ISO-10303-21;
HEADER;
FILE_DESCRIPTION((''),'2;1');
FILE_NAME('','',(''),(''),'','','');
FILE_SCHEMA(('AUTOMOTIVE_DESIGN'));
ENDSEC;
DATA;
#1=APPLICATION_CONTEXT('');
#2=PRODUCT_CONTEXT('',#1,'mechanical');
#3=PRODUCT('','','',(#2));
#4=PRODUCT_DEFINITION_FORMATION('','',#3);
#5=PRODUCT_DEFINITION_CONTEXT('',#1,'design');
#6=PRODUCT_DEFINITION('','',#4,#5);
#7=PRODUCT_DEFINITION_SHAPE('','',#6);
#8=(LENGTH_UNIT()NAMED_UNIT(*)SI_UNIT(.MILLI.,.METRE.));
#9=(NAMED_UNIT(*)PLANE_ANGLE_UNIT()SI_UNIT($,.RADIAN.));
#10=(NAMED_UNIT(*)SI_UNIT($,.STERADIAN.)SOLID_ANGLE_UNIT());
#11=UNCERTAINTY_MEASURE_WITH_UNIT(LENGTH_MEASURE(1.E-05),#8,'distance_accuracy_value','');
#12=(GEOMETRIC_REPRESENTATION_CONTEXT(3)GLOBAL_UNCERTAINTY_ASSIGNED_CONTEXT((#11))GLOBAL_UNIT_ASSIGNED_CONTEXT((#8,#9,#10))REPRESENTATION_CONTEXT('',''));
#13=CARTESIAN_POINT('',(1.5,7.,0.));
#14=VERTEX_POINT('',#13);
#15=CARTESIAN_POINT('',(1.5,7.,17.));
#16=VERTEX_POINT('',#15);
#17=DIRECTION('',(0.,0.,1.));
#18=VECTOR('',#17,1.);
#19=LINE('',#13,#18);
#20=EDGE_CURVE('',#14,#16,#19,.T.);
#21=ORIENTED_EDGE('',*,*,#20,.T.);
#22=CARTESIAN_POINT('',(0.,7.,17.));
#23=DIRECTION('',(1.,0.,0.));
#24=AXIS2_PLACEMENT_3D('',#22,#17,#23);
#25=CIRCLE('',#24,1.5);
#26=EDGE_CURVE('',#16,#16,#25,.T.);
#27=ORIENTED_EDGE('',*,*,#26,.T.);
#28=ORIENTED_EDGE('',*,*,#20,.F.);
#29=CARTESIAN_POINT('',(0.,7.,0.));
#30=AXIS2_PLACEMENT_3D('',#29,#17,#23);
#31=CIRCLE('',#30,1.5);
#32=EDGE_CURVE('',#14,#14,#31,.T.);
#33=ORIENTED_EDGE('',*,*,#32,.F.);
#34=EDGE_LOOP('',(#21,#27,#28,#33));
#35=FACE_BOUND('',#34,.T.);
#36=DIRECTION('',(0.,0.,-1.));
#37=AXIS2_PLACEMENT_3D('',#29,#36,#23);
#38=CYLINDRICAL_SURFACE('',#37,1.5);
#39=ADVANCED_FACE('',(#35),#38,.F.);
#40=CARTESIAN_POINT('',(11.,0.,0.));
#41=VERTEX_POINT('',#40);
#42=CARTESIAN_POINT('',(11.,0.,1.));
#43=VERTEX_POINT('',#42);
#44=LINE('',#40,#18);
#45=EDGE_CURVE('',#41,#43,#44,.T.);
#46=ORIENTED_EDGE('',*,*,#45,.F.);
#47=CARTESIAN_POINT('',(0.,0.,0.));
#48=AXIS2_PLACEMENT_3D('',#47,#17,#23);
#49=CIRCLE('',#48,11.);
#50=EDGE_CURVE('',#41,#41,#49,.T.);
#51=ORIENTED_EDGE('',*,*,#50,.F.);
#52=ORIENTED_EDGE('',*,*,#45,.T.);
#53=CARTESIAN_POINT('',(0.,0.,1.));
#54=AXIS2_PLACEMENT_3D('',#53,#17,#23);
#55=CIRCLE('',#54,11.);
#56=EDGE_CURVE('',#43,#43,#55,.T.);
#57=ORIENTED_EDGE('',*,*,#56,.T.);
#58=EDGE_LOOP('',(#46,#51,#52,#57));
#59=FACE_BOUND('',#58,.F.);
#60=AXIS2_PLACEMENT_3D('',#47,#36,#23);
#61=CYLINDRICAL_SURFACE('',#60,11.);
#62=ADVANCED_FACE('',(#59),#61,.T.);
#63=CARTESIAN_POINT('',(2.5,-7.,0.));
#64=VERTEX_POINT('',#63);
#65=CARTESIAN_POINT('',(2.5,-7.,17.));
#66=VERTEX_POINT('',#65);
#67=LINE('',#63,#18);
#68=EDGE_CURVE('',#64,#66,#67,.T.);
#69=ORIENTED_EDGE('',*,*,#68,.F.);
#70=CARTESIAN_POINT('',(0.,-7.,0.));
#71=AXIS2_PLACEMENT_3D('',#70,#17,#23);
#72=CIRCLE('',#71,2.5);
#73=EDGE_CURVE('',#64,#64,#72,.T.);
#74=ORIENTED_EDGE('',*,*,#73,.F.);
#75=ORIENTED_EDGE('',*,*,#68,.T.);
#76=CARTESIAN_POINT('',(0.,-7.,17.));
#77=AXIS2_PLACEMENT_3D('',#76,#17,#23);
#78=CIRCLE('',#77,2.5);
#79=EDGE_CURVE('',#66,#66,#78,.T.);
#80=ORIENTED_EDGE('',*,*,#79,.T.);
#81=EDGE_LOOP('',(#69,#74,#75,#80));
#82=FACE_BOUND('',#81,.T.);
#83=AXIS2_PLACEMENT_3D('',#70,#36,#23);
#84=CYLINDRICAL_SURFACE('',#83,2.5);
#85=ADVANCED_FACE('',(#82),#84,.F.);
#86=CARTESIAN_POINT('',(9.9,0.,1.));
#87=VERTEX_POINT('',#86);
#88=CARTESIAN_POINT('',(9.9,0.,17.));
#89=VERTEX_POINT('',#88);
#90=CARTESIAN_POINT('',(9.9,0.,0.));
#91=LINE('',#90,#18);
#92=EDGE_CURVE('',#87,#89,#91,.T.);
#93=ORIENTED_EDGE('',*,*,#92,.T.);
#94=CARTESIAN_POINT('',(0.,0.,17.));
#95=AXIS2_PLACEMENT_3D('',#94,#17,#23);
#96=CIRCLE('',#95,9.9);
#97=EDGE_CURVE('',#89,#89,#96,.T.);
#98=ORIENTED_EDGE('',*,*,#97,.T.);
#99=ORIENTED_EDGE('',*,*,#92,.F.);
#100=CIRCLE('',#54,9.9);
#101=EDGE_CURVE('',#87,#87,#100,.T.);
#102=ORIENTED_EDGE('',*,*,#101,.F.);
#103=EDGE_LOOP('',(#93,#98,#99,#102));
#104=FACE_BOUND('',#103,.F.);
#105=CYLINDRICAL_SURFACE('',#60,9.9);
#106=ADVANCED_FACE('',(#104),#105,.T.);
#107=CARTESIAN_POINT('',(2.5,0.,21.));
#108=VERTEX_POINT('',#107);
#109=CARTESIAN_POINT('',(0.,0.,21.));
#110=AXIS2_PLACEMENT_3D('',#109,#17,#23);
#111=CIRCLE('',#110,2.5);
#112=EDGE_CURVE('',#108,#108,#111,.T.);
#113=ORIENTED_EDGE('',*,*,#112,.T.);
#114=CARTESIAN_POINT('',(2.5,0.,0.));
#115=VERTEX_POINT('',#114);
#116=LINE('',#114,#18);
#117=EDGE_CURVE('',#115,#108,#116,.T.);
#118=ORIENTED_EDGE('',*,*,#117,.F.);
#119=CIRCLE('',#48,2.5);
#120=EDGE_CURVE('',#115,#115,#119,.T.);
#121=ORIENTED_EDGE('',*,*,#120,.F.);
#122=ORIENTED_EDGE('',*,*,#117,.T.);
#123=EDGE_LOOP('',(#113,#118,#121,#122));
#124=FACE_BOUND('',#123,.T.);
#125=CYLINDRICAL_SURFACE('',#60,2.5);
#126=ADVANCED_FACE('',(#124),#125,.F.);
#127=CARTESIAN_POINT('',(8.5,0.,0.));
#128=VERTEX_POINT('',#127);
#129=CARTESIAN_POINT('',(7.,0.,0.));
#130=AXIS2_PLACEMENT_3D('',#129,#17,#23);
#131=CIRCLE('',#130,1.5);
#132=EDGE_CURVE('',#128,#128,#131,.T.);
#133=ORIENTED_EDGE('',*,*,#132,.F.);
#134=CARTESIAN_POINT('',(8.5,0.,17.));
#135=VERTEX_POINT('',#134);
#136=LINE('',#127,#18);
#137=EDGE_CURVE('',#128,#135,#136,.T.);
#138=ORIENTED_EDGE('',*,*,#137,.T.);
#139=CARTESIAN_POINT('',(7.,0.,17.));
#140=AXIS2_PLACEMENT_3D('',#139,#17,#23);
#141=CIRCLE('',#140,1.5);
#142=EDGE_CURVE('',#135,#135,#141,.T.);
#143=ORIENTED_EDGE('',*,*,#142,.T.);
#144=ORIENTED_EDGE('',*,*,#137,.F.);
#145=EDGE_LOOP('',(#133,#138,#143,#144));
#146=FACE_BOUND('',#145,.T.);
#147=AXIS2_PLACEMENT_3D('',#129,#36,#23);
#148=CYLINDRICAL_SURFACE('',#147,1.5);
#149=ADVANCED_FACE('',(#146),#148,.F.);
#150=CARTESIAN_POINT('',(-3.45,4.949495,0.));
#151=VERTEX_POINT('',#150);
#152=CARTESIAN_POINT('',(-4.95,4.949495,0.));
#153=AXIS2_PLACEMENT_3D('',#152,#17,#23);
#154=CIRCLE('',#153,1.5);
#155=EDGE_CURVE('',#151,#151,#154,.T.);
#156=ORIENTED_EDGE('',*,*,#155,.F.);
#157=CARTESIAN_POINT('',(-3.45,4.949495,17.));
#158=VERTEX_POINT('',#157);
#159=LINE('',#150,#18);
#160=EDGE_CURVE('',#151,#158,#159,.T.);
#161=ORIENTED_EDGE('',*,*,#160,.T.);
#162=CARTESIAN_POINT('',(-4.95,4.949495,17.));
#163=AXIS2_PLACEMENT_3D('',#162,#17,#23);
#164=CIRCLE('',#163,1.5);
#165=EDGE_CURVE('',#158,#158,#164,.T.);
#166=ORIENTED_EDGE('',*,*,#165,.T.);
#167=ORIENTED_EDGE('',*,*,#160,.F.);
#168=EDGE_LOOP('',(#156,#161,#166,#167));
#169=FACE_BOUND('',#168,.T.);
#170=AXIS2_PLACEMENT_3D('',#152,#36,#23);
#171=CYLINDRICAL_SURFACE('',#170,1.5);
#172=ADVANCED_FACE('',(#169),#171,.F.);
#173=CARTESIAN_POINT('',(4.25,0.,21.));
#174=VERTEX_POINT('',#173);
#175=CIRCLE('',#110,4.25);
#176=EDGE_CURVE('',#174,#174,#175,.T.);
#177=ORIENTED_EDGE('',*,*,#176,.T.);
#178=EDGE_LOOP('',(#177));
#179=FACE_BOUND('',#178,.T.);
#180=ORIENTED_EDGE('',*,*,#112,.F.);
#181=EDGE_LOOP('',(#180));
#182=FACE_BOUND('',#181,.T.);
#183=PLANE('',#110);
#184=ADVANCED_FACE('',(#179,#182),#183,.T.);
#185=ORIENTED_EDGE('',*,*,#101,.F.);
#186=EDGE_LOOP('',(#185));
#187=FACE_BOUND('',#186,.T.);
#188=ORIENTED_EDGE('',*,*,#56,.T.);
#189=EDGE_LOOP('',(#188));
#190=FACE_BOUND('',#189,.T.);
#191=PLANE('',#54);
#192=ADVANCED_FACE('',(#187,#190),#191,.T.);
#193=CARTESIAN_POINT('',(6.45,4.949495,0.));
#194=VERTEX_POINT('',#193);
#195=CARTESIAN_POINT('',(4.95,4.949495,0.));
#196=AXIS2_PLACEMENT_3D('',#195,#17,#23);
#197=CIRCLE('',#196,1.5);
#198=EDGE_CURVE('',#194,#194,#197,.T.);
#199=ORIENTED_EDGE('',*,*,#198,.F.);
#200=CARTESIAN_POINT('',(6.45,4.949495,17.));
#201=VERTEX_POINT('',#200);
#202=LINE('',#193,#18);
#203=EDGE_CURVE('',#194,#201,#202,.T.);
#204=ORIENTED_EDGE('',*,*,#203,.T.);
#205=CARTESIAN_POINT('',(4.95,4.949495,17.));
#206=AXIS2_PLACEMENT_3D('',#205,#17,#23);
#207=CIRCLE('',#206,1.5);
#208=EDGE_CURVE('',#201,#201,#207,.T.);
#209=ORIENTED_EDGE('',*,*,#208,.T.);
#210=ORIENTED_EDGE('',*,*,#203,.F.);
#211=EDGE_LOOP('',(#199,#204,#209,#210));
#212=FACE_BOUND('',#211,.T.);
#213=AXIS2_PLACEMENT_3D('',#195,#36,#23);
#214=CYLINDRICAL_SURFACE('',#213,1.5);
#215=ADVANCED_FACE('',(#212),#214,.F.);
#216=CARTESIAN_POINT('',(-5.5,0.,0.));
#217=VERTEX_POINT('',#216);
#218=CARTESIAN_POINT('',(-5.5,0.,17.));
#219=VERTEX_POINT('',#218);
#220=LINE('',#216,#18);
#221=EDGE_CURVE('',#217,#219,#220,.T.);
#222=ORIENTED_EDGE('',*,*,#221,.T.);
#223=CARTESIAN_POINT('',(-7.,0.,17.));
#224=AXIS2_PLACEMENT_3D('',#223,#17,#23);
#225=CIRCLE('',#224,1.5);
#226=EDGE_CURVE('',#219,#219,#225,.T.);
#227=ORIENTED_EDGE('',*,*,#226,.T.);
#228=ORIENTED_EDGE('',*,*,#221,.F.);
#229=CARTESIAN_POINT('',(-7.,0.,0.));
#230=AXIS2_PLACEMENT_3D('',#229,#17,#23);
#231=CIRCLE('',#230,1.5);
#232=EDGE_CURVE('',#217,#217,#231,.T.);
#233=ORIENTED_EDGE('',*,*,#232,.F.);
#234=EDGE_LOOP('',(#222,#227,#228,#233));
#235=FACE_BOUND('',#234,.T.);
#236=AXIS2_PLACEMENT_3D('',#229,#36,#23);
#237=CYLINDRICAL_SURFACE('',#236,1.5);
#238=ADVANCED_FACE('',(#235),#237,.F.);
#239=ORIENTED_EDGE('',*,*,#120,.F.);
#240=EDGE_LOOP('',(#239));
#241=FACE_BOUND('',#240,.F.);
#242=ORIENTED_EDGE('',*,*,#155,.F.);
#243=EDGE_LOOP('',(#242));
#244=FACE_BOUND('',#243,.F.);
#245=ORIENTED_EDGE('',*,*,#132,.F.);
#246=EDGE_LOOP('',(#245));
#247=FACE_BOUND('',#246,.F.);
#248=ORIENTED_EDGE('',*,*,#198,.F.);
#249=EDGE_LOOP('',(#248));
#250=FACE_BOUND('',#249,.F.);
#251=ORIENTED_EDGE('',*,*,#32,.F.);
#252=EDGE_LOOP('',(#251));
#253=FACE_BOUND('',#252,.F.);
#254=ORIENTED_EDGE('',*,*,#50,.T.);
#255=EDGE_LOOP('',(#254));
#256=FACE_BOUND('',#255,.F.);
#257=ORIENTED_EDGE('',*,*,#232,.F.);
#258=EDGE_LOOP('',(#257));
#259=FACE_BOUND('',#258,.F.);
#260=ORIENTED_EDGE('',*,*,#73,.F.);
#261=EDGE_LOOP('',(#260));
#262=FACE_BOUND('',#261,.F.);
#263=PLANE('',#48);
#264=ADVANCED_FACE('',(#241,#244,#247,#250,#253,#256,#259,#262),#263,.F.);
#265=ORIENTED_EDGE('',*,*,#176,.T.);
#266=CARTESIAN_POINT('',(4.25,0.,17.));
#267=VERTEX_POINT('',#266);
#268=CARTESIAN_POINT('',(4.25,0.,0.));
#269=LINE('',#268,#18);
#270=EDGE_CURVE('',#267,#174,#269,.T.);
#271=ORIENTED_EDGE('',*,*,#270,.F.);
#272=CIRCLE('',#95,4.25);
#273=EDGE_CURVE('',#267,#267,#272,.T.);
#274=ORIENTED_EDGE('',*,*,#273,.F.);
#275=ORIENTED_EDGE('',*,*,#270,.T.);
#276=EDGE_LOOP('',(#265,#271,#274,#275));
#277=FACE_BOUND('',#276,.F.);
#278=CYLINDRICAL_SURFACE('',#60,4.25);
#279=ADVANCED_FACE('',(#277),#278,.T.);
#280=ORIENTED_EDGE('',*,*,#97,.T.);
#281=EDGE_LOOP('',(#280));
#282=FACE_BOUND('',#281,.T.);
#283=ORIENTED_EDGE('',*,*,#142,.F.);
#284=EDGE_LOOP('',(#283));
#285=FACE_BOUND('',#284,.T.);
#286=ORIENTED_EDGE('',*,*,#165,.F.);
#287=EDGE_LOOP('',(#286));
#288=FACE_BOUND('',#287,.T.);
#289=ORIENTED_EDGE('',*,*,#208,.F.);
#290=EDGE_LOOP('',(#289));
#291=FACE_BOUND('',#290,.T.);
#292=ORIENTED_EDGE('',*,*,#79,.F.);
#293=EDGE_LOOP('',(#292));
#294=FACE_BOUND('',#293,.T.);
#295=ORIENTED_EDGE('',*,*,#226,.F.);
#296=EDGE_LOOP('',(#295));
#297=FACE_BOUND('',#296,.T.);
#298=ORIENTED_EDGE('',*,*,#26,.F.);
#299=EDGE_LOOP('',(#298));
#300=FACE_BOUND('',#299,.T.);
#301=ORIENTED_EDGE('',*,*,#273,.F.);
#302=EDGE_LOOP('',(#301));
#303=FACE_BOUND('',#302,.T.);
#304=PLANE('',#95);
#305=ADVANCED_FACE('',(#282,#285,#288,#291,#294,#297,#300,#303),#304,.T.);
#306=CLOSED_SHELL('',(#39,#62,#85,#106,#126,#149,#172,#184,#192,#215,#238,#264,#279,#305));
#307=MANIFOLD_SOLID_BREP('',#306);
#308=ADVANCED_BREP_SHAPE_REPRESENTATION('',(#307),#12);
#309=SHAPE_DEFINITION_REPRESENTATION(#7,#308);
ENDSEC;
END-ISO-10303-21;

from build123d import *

# Parameters (mm, degrees)
F0_R     = 4.25
F0_R_2   = 2.5
F1_DEPTH = 21
F0_R_3   = 9.9
F0_R_4   = 1.5
F2_DEPTH = 17
F0_R_5   = 11
F3_DEPTH = 1


with BuildPart() as f1:
    # F0 (on Top) → F1 (new body)
    with BuildSketch(Plane.XY):
        Circle(F0_R)
        Circle(F0_R_2, mode=Mode.SUBTRACT)
    extrude(amount=F1_DEPTH)

    # F0 (on Top) → F2 (join)
    with BuildSketch(Plane.XY):
        Circle(F0_R_3)
        with Locations((0, -7)):
            Circle(F0_R_2, mode=Mode.SUBTRACT)
        with Locations((-7, 0)):
            Circle(F0_R_4, mode=Mode.SUBTRACT)
        with Locations((-4.95, 4.949495)):
            Circle(F0_R_4, mode=Mode.SUBTRACT)
        Circle(F0_R, mode=Mode.SUBTRACT)
        with Locations((4.95, 4.949495)):
            Circle(F0_R_4, mode=Mode.SUBTRACT)
        with Locations((7, 0)):
            Circle(F0_R_4, mode=Mode.SUBTRACT)
        with Locations((0, 7)):
            Circle(F0_R_4, mode=Mode.SUBTRACT)
    extrude(amount=F2_DEPTH)

    # F0 (on Top) → F3 (join)
    with BuildSketch(Plane.XY):
        Circle(F0_R_5)
        Circle(F0_R_3, mode=Mode.SUBTRACT)
    extrude(amount=F3_DEPTH)


solid = f1.part
